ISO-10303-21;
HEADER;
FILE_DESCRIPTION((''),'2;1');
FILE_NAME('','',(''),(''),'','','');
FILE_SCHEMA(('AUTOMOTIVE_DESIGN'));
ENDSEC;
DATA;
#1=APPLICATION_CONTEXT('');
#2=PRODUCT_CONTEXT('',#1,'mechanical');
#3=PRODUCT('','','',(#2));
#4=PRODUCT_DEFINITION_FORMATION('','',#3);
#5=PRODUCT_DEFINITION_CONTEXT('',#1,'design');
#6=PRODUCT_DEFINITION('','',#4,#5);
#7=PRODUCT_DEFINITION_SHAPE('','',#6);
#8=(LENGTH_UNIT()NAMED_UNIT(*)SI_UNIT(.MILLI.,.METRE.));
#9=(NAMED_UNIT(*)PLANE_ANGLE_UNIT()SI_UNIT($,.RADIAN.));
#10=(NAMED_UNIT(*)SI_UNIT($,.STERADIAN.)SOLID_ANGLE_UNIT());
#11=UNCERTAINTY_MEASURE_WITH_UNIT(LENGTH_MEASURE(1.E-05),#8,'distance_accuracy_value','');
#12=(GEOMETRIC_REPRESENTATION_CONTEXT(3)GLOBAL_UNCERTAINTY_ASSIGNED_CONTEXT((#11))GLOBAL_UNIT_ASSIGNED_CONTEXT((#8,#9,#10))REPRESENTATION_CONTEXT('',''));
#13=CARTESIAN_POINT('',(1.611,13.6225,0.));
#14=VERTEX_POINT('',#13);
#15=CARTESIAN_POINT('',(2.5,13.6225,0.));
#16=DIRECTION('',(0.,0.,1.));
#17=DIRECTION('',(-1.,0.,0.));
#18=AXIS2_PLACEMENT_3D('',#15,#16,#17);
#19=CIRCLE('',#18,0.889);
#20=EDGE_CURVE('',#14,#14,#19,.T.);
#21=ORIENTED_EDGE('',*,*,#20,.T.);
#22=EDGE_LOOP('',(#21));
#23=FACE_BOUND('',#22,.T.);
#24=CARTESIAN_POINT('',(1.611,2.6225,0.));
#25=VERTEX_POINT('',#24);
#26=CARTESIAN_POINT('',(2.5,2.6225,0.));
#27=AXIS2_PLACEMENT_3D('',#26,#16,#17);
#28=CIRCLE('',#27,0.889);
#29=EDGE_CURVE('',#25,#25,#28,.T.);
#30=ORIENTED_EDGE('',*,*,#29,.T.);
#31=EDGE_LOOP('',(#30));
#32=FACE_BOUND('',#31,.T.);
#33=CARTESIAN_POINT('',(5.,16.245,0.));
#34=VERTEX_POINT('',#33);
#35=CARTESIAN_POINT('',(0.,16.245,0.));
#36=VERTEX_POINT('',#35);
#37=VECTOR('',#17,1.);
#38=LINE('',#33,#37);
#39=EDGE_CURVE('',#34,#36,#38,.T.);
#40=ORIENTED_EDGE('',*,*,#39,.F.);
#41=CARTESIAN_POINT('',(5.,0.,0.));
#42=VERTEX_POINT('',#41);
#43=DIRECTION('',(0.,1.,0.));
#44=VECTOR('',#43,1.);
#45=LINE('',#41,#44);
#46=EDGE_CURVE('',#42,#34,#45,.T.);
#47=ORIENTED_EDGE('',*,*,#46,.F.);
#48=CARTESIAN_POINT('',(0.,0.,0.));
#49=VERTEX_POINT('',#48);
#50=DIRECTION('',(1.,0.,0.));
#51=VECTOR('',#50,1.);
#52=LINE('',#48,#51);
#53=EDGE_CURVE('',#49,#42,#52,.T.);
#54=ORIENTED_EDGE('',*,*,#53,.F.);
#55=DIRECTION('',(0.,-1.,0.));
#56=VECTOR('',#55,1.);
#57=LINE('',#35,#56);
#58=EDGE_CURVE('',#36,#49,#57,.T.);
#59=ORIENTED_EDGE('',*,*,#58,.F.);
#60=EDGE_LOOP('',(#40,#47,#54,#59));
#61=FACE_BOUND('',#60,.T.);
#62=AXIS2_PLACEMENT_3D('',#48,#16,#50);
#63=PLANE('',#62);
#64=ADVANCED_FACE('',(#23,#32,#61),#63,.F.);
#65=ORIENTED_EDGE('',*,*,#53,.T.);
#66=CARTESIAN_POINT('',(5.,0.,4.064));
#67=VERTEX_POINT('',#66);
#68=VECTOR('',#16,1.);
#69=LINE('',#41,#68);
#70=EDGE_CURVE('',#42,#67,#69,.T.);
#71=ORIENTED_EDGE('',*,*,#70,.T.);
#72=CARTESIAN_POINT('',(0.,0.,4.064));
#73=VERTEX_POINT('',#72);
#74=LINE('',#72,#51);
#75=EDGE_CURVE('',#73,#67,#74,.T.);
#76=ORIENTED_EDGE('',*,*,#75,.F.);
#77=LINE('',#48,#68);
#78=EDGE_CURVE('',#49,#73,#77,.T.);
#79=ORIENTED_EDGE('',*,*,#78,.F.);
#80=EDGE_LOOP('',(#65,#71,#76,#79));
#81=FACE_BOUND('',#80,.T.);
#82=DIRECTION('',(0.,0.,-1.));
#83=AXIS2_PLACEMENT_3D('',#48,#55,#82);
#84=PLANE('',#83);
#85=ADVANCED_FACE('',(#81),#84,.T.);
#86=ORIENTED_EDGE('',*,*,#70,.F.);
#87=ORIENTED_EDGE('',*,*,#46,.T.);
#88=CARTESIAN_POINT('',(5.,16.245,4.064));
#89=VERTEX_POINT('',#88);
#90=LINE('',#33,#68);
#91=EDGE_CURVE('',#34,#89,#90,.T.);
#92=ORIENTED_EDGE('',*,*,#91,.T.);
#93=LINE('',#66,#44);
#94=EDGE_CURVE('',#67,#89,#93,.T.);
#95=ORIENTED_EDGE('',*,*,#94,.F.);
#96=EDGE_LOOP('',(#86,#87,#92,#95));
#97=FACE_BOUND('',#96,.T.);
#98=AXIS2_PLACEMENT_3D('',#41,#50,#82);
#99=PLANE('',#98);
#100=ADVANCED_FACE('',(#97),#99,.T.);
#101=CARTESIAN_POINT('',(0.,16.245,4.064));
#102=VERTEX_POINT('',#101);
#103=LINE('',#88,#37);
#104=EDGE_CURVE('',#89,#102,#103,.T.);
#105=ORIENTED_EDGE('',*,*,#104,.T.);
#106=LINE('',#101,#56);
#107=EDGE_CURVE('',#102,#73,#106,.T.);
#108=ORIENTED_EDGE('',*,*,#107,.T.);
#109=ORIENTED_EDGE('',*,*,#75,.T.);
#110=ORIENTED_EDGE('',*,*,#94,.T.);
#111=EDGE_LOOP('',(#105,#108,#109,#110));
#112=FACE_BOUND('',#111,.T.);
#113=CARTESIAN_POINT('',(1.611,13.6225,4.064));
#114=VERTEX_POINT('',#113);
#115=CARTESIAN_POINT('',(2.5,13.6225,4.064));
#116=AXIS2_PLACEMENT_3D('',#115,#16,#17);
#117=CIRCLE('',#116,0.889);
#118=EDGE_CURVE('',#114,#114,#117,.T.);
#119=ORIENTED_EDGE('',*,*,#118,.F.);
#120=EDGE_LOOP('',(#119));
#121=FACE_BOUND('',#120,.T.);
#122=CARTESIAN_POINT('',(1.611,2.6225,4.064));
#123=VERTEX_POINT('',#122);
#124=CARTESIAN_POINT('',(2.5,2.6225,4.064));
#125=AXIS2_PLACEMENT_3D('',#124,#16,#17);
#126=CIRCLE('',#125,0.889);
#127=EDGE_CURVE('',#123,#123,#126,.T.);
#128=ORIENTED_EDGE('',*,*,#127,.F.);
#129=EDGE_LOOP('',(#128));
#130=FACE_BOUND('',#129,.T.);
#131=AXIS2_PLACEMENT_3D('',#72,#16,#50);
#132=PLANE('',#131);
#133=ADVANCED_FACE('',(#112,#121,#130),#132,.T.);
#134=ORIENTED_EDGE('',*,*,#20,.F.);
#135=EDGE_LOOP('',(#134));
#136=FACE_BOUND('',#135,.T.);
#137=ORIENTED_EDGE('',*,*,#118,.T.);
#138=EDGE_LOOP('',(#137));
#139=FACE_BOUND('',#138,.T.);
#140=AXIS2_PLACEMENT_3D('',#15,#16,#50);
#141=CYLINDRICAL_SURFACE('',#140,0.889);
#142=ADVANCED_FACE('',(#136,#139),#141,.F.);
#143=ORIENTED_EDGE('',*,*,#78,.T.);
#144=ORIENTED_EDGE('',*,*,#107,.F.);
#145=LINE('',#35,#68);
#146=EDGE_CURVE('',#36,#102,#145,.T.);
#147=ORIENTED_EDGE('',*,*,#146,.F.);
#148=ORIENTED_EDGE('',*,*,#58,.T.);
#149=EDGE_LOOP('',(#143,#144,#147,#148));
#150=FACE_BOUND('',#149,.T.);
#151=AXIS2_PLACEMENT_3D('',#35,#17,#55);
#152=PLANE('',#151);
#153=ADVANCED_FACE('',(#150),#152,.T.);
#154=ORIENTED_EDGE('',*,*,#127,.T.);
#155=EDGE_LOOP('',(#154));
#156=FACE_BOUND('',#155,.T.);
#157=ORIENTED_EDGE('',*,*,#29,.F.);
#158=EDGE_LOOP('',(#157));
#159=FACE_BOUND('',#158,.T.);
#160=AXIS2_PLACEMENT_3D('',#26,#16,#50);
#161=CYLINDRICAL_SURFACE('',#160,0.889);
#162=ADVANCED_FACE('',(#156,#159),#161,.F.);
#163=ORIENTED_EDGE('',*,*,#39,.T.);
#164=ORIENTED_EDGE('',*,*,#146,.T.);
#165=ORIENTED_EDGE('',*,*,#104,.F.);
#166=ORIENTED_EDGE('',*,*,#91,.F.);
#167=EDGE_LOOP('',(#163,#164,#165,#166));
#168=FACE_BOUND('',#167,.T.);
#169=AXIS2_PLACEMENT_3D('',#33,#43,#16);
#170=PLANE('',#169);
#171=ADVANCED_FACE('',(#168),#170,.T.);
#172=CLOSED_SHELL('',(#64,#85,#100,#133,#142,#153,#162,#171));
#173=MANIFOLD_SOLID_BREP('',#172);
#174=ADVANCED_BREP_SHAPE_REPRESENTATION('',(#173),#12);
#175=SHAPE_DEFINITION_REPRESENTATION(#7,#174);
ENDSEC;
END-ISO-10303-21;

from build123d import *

# Parameters (mm, degrees)
ESBO_O1_W                = 5
ESBO_O1_H                = 16.245
ESBO_O1_R                = 0.889
RESSALTO_EXTRUS_O1_DEPTH = 4.064


with BuildPart() as part:
    # Esboço1 → Ressalto-extrusão1 (new body)
    with BuildSketch(Plane.XY.offset(4.064)):
        with Locations((2.5, 8.1225)):
            Rectangle(ESBO_O1_W, ESBO_O1_H)
        with Locations((2.5, 2.6225)):
            Circle(ESBO_O1_R, mode=Mode.SUBTRACT)
        with Locations((2.5, 13.6225)):
            Circle(ESBO_O1_R, mode=Mode.SUBTRACT)
    extrude(amount=-RESSALTO_EXTRUS_O1_DEPTH)


solid = part.part
